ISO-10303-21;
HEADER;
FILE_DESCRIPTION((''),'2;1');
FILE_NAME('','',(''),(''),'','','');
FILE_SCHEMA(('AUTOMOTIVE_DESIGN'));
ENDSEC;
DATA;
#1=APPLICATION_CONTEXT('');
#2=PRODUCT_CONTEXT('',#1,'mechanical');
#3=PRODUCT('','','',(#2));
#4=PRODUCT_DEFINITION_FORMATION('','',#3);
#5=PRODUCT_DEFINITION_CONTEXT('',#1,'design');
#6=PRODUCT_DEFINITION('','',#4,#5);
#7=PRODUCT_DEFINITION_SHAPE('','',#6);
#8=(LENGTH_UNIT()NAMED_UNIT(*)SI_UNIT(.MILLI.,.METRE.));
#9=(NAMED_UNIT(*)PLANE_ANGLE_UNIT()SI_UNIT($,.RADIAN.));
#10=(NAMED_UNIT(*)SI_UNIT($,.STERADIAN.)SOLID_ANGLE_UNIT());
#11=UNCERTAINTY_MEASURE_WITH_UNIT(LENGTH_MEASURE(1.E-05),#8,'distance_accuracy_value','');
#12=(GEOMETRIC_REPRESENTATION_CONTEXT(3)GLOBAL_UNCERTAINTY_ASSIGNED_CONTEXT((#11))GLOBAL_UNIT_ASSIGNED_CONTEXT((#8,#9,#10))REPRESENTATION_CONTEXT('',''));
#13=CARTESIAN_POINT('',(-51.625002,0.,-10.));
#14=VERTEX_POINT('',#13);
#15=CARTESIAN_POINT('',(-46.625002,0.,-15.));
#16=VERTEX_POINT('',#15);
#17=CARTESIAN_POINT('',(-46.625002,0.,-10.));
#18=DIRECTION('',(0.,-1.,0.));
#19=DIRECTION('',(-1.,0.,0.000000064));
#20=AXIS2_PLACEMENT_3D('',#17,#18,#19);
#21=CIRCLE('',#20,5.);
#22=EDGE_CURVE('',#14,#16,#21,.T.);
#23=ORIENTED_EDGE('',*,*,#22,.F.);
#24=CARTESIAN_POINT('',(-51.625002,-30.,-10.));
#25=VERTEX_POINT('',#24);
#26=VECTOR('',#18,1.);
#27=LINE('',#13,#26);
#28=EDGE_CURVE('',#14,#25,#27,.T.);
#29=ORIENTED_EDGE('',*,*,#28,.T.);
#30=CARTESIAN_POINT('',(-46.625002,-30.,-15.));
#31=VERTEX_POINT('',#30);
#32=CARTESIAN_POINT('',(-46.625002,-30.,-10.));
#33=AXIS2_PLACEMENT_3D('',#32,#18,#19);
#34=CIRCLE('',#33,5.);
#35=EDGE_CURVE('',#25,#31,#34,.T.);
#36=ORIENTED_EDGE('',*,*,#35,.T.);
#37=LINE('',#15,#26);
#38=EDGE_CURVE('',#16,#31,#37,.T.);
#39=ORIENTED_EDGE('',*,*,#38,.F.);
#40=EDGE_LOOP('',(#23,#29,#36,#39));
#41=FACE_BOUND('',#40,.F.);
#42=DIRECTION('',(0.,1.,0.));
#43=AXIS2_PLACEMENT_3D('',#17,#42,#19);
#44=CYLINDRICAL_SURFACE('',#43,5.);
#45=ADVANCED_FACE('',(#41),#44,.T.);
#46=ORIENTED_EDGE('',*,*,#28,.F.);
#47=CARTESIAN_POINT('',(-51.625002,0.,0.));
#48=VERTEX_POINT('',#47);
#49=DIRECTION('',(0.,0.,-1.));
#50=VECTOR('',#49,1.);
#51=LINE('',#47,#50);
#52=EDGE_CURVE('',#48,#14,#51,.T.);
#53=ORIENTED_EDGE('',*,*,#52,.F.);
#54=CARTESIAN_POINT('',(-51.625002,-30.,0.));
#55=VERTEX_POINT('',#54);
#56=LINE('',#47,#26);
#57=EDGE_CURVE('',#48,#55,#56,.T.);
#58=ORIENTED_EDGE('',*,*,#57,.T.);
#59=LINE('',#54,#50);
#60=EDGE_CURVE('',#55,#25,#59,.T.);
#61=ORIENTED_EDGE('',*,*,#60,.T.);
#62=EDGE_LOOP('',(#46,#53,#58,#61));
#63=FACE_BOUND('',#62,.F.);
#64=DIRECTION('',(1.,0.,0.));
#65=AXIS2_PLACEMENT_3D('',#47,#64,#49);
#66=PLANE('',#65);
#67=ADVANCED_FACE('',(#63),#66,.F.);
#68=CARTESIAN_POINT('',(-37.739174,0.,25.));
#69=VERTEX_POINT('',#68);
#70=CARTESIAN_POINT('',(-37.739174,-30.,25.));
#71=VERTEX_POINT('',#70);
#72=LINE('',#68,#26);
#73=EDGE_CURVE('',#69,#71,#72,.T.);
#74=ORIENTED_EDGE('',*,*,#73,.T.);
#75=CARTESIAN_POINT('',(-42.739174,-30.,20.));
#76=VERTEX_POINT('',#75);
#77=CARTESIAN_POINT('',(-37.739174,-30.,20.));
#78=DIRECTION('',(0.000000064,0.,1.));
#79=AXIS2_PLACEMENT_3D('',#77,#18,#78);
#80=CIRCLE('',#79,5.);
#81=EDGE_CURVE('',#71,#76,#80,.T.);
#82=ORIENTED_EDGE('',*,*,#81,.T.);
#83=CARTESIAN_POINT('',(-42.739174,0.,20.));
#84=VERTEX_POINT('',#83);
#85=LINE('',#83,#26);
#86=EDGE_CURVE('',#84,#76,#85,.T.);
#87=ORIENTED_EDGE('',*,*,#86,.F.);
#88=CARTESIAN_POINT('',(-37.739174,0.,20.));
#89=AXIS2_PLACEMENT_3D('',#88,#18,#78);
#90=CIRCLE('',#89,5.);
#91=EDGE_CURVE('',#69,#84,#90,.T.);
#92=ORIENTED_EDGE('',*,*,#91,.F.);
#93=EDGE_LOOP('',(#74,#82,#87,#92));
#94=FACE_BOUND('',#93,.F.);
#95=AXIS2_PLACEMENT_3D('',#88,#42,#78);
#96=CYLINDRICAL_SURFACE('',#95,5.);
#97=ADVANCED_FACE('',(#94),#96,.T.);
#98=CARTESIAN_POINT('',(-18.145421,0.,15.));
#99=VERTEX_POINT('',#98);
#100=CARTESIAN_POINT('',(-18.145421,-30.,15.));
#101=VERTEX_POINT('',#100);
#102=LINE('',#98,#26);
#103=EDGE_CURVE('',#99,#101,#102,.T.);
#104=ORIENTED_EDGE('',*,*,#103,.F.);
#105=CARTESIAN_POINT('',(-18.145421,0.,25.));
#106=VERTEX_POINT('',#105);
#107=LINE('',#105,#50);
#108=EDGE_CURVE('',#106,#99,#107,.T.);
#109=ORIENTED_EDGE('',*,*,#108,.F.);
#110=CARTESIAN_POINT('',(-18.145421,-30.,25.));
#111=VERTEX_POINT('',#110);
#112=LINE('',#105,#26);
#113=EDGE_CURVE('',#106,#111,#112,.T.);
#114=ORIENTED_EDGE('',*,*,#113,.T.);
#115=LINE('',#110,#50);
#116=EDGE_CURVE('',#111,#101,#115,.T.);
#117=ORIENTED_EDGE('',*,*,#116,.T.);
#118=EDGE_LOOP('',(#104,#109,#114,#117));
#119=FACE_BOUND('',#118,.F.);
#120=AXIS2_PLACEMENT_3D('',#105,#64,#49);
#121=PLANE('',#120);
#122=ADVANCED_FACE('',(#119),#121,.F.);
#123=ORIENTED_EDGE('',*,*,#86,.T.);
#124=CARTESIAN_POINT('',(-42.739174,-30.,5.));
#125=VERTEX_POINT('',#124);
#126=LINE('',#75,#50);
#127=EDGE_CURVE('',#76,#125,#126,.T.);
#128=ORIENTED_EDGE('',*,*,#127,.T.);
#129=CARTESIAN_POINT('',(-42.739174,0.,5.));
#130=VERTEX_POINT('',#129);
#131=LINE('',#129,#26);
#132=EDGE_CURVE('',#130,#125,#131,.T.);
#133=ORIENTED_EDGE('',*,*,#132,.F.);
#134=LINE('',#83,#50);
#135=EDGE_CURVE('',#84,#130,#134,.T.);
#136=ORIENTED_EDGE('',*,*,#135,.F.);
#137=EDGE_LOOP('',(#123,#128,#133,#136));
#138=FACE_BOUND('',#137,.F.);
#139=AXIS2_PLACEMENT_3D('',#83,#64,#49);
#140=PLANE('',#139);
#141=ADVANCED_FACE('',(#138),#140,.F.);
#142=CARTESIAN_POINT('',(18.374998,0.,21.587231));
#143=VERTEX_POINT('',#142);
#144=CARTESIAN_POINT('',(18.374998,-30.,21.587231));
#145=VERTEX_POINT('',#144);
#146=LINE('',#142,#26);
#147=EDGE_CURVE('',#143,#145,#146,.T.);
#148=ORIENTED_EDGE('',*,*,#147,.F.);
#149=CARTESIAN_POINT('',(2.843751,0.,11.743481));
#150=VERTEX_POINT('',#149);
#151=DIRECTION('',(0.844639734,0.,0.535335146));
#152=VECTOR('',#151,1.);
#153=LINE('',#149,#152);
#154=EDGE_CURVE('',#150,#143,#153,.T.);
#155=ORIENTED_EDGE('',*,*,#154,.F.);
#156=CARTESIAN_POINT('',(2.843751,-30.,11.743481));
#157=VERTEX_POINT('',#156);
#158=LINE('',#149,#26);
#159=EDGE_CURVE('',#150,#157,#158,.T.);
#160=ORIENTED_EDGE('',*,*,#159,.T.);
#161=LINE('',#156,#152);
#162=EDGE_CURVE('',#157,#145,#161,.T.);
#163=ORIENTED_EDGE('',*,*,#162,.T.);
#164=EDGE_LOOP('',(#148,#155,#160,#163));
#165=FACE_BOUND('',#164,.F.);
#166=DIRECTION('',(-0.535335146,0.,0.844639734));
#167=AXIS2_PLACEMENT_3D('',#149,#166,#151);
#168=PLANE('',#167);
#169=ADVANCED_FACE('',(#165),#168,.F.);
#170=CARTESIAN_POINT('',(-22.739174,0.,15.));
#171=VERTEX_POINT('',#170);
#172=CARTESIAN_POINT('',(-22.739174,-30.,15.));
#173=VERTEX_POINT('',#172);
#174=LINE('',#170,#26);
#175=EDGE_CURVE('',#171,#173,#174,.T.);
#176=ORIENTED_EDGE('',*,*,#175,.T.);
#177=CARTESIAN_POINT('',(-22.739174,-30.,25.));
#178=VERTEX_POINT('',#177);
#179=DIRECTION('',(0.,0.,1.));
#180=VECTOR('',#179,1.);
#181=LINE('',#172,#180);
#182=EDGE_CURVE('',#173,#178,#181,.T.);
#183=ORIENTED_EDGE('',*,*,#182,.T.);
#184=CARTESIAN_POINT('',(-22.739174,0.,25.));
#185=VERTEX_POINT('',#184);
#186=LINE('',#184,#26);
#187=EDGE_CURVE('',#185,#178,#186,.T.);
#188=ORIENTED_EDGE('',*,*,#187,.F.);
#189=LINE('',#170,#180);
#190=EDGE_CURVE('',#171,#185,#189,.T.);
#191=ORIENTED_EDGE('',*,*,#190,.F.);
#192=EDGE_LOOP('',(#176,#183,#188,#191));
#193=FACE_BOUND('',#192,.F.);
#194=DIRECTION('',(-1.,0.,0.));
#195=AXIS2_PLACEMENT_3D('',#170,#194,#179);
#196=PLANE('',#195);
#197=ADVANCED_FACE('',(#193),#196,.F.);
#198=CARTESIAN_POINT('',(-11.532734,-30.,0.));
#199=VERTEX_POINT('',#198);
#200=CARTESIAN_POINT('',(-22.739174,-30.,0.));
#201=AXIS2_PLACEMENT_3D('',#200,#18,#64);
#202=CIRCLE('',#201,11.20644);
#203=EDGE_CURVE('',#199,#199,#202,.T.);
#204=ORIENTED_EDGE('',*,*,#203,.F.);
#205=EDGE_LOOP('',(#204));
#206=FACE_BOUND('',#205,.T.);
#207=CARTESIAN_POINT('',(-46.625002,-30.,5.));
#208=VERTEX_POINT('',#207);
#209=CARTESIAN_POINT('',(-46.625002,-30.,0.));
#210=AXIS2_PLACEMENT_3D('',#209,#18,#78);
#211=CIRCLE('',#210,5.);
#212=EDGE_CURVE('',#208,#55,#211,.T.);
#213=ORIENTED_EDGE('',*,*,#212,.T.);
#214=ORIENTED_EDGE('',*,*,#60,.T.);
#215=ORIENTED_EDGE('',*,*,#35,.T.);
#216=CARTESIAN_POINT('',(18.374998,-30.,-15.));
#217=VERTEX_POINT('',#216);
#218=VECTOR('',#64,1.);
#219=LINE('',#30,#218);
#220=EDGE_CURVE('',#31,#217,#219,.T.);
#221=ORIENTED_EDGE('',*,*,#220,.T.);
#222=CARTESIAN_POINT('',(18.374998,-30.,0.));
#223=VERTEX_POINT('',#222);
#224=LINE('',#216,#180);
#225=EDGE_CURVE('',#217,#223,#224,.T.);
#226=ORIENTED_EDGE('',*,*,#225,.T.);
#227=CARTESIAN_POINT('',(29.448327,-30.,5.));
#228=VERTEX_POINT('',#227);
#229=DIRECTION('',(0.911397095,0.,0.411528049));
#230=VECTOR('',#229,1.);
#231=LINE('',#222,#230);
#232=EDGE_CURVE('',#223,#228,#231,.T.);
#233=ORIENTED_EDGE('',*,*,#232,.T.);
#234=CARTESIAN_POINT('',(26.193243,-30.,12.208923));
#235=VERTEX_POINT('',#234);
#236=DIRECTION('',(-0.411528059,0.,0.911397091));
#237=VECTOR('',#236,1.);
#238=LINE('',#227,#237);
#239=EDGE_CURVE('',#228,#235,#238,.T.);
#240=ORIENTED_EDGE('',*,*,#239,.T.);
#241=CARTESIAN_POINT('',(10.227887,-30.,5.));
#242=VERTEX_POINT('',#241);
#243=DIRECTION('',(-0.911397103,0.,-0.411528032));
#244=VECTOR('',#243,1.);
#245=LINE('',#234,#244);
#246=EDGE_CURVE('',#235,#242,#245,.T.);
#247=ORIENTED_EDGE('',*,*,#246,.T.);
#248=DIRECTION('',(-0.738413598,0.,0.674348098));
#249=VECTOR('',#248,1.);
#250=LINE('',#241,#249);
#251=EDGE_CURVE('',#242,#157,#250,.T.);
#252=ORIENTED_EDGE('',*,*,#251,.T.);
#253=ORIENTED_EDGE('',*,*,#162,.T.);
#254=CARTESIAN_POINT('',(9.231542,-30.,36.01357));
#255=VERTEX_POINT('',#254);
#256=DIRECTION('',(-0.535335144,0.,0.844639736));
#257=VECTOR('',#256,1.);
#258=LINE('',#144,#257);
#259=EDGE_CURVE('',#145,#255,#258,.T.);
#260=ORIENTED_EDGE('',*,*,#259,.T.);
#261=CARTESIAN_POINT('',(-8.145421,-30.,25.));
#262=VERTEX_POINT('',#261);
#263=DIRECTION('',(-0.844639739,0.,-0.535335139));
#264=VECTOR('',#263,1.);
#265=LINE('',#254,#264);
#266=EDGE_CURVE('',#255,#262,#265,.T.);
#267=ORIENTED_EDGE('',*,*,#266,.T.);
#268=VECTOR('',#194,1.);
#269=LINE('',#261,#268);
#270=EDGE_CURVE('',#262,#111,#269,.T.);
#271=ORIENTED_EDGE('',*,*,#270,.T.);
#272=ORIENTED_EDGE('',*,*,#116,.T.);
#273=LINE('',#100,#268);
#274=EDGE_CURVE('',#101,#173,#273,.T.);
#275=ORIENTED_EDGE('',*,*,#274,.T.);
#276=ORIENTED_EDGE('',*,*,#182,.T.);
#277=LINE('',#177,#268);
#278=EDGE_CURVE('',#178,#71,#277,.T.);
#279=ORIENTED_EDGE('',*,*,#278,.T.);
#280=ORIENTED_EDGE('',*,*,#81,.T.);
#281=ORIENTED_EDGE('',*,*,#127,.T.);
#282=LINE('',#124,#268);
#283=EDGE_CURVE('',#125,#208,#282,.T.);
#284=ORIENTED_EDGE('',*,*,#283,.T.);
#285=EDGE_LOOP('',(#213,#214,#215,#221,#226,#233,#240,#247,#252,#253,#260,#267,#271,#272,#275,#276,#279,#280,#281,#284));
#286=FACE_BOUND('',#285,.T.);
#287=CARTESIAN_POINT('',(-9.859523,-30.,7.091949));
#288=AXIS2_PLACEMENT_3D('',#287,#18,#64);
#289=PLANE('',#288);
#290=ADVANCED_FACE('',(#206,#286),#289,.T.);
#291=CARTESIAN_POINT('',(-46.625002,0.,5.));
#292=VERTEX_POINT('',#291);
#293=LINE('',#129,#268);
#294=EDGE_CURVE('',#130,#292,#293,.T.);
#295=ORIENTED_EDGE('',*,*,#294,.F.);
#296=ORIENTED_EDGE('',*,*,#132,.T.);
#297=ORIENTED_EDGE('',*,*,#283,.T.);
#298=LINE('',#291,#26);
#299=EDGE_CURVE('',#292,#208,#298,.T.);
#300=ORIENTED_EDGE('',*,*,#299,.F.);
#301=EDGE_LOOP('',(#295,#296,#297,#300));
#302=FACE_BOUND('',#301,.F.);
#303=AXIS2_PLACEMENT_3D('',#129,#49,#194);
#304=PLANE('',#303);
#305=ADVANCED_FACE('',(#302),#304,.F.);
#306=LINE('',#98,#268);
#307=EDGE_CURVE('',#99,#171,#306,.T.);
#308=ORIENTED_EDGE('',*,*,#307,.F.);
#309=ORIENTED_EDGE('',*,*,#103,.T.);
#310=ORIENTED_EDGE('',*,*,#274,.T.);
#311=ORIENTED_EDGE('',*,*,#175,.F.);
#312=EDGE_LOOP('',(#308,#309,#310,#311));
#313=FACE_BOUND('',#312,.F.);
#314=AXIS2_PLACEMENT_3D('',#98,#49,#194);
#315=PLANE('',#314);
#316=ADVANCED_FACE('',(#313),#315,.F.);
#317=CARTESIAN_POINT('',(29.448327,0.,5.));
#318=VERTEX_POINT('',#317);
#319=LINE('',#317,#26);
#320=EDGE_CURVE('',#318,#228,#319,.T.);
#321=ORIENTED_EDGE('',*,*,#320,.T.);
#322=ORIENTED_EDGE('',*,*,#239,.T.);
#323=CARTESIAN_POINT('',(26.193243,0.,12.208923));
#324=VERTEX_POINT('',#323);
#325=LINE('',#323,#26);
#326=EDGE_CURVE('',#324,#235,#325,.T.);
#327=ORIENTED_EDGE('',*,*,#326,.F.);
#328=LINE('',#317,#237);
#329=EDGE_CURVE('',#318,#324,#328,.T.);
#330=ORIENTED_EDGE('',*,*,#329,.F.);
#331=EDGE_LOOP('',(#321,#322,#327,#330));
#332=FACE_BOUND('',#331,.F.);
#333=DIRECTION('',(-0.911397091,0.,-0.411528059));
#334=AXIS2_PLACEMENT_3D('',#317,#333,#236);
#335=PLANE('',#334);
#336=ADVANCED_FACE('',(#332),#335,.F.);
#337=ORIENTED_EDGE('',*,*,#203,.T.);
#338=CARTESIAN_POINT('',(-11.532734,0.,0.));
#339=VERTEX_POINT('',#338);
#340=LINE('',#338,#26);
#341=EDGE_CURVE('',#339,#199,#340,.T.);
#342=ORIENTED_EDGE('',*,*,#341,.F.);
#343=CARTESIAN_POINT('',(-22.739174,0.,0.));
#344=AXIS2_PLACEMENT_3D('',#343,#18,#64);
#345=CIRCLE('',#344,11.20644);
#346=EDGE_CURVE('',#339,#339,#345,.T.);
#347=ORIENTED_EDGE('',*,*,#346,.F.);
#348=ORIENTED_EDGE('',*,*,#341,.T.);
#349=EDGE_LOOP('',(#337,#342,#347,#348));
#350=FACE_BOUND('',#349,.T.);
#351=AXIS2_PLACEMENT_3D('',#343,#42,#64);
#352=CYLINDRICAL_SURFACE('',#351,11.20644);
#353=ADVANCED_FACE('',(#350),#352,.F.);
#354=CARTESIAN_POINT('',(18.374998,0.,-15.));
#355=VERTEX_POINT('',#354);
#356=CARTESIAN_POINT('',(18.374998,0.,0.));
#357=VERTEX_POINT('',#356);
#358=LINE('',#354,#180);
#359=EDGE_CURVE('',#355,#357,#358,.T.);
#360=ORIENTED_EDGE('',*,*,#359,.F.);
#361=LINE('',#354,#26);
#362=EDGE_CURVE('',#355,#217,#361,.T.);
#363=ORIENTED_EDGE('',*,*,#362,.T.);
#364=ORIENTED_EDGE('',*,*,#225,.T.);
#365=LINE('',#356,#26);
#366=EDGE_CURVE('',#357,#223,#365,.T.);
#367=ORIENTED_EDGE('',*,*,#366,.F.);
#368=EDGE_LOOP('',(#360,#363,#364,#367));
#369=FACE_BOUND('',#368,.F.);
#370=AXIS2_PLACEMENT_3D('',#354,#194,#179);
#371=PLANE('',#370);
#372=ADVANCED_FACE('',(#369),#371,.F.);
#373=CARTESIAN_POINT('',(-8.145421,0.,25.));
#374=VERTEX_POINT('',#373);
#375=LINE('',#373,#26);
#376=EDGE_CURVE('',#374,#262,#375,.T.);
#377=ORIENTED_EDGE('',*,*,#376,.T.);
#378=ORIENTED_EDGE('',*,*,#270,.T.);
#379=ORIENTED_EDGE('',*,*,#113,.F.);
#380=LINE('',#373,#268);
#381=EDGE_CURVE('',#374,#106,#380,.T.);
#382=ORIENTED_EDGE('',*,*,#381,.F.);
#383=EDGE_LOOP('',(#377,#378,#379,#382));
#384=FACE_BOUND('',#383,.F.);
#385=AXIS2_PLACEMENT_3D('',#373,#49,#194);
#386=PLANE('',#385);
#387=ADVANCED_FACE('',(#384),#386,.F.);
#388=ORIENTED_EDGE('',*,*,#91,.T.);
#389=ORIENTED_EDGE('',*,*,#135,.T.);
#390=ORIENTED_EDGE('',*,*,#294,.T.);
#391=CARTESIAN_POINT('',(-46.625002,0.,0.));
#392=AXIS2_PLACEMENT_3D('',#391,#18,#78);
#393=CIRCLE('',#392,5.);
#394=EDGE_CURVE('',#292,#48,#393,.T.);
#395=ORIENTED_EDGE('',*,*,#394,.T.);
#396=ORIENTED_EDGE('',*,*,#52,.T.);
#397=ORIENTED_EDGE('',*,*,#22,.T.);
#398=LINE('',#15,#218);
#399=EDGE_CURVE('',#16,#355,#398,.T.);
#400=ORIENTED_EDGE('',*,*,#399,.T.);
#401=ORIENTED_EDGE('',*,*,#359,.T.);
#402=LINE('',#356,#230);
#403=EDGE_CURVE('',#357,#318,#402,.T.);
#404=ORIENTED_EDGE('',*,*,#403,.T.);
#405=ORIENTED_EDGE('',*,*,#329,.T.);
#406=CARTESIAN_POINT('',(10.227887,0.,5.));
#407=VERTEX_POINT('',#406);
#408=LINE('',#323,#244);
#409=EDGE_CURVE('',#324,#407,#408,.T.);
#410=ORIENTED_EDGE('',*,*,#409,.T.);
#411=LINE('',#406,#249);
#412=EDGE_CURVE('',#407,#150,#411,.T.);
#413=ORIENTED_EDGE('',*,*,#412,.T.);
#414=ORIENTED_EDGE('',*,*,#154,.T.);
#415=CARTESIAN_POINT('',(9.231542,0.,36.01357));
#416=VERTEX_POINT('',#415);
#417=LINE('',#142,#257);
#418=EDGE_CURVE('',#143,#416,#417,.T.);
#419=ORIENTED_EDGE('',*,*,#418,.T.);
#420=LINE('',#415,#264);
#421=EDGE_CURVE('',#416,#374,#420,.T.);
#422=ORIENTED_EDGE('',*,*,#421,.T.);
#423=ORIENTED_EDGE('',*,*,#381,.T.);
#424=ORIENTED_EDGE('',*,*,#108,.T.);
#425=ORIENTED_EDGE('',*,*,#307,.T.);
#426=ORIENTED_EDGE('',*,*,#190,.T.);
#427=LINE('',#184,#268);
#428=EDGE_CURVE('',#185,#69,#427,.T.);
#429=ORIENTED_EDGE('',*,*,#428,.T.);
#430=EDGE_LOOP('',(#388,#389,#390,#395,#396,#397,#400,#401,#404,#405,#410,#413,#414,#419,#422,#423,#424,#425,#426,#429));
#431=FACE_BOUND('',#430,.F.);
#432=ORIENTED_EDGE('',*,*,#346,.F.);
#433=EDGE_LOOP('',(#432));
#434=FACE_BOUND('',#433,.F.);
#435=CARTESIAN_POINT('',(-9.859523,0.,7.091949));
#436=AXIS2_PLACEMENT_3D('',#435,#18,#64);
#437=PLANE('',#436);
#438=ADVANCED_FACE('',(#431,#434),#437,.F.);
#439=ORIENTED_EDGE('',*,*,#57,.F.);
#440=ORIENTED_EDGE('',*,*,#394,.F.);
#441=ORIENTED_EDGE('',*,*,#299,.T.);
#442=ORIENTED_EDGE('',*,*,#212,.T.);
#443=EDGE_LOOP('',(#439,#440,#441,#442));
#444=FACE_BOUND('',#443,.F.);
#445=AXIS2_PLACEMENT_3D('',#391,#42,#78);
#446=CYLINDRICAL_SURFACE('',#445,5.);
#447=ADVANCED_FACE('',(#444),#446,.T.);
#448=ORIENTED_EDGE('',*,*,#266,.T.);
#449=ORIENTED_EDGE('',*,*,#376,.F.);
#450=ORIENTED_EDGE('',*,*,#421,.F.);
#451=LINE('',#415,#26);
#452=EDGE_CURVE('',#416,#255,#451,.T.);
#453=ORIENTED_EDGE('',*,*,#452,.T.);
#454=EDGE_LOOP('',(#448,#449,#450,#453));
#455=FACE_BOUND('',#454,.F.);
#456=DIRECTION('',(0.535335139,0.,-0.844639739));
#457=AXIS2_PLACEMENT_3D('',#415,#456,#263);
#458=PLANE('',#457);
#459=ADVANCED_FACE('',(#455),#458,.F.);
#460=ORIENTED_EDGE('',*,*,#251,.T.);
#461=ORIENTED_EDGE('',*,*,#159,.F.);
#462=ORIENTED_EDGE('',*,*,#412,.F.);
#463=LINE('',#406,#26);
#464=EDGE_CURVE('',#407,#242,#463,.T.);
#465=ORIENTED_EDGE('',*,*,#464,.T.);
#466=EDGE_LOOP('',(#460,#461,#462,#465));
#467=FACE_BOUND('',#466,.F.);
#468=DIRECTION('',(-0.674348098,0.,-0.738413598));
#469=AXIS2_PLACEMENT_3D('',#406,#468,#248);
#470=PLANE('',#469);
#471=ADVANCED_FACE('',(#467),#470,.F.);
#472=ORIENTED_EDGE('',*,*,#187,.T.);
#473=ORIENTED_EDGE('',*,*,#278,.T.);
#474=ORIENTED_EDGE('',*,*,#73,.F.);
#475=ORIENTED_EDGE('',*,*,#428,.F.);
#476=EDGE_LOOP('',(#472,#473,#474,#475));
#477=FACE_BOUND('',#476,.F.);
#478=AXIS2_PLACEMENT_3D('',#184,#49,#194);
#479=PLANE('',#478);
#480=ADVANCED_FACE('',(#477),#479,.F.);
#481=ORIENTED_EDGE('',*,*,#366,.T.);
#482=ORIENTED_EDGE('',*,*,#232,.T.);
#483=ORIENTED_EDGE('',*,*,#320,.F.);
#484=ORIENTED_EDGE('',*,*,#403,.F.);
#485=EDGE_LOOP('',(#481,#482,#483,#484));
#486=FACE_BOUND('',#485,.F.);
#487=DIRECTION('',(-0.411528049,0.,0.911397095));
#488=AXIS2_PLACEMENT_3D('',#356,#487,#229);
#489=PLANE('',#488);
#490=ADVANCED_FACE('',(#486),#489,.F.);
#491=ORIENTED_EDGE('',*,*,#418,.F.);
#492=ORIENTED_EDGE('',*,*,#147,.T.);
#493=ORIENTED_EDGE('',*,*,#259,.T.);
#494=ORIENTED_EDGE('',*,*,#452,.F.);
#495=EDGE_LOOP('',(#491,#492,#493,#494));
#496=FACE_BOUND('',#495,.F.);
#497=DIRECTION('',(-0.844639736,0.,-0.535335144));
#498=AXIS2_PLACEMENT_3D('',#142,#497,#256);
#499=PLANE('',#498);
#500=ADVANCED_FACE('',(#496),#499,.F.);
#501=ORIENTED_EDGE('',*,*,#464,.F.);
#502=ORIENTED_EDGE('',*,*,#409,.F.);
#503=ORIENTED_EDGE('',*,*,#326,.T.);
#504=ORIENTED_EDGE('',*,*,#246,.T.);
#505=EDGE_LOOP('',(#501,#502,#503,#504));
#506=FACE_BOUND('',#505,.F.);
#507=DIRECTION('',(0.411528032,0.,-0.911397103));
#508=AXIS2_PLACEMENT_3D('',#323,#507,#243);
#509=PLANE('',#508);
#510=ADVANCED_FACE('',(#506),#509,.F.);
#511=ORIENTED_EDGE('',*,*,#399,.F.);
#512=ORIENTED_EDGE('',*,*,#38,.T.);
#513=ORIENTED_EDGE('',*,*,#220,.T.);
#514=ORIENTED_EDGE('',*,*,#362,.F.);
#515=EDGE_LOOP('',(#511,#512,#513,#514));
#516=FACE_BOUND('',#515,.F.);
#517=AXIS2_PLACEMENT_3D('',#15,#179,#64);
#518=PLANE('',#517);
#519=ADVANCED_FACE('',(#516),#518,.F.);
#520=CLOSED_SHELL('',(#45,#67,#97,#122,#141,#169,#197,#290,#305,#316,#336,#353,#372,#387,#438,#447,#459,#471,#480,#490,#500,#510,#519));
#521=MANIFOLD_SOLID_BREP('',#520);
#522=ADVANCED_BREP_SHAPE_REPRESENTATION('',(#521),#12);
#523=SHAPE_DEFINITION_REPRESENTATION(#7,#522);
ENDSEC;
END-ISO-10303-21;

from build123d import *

# Parameters (mm, degrees)
F0_R     = 11.20644
F1_DEPTH = 30


with BuildPart() as f1:
    # F0 (on Front) → F1 (new body)
    with BuildSketch(Plane.XZ):
        with BuildLine():
            Line((-46.625002, -15), (18.374998, -15))
            Line((18.374998, -15), (18.374998, 0))
            Line((18.374998, 0), (29.448327, 5))
            Line((29.448327, 5), (26.193243, 12.208923))
            Line((26.193243, 12.208923), (10.227887, 5))
            Line((10.227887, 5), (2.843751, 11.743481))
            Line((2.843751, 11.743481), (18.374998, 21.587231))
            Line((18.374998, 21.587231), (9.231542, 36.01357))
            Line((9.231542, 36.01357), (-8.145421, 25))
            Line((-8.145421, 25), (-18.145421, 25))
            Line((-18.145421, 25), (-18.145421, 15))
            Line((-18.145421, 15), (-22.739174, 15))
            Line((-22.739174, 15), (-22.739174, 25))
            Line((-22.739174, 25), (-37.739174, 25))
            ThreePointArc((-37.739174, 25), (-41.274708, 23.535534), (-42.739174, 20))
            Line((-42.739174, 20), (-42.739174, 5))
            Line((-42.739174, 5), (-46.625002, 5))
            ThreePointArc((-46.625002, 5), (-50.160536, 3.535534), (-51.625002, 0))
            Line((-51.625002, 0), (-51.625002, -10))
            ThreePointArc((-51.625002, -10), (-50.160536, -13.535534), (-46.625002, -15))
        make_face()
        with Locations((-22.739174, 0)):
            Circle(F0_R, mode=Mode.SUBTRACT)
    extrude(amount=F1_DEPTH)


solid = f1.part
